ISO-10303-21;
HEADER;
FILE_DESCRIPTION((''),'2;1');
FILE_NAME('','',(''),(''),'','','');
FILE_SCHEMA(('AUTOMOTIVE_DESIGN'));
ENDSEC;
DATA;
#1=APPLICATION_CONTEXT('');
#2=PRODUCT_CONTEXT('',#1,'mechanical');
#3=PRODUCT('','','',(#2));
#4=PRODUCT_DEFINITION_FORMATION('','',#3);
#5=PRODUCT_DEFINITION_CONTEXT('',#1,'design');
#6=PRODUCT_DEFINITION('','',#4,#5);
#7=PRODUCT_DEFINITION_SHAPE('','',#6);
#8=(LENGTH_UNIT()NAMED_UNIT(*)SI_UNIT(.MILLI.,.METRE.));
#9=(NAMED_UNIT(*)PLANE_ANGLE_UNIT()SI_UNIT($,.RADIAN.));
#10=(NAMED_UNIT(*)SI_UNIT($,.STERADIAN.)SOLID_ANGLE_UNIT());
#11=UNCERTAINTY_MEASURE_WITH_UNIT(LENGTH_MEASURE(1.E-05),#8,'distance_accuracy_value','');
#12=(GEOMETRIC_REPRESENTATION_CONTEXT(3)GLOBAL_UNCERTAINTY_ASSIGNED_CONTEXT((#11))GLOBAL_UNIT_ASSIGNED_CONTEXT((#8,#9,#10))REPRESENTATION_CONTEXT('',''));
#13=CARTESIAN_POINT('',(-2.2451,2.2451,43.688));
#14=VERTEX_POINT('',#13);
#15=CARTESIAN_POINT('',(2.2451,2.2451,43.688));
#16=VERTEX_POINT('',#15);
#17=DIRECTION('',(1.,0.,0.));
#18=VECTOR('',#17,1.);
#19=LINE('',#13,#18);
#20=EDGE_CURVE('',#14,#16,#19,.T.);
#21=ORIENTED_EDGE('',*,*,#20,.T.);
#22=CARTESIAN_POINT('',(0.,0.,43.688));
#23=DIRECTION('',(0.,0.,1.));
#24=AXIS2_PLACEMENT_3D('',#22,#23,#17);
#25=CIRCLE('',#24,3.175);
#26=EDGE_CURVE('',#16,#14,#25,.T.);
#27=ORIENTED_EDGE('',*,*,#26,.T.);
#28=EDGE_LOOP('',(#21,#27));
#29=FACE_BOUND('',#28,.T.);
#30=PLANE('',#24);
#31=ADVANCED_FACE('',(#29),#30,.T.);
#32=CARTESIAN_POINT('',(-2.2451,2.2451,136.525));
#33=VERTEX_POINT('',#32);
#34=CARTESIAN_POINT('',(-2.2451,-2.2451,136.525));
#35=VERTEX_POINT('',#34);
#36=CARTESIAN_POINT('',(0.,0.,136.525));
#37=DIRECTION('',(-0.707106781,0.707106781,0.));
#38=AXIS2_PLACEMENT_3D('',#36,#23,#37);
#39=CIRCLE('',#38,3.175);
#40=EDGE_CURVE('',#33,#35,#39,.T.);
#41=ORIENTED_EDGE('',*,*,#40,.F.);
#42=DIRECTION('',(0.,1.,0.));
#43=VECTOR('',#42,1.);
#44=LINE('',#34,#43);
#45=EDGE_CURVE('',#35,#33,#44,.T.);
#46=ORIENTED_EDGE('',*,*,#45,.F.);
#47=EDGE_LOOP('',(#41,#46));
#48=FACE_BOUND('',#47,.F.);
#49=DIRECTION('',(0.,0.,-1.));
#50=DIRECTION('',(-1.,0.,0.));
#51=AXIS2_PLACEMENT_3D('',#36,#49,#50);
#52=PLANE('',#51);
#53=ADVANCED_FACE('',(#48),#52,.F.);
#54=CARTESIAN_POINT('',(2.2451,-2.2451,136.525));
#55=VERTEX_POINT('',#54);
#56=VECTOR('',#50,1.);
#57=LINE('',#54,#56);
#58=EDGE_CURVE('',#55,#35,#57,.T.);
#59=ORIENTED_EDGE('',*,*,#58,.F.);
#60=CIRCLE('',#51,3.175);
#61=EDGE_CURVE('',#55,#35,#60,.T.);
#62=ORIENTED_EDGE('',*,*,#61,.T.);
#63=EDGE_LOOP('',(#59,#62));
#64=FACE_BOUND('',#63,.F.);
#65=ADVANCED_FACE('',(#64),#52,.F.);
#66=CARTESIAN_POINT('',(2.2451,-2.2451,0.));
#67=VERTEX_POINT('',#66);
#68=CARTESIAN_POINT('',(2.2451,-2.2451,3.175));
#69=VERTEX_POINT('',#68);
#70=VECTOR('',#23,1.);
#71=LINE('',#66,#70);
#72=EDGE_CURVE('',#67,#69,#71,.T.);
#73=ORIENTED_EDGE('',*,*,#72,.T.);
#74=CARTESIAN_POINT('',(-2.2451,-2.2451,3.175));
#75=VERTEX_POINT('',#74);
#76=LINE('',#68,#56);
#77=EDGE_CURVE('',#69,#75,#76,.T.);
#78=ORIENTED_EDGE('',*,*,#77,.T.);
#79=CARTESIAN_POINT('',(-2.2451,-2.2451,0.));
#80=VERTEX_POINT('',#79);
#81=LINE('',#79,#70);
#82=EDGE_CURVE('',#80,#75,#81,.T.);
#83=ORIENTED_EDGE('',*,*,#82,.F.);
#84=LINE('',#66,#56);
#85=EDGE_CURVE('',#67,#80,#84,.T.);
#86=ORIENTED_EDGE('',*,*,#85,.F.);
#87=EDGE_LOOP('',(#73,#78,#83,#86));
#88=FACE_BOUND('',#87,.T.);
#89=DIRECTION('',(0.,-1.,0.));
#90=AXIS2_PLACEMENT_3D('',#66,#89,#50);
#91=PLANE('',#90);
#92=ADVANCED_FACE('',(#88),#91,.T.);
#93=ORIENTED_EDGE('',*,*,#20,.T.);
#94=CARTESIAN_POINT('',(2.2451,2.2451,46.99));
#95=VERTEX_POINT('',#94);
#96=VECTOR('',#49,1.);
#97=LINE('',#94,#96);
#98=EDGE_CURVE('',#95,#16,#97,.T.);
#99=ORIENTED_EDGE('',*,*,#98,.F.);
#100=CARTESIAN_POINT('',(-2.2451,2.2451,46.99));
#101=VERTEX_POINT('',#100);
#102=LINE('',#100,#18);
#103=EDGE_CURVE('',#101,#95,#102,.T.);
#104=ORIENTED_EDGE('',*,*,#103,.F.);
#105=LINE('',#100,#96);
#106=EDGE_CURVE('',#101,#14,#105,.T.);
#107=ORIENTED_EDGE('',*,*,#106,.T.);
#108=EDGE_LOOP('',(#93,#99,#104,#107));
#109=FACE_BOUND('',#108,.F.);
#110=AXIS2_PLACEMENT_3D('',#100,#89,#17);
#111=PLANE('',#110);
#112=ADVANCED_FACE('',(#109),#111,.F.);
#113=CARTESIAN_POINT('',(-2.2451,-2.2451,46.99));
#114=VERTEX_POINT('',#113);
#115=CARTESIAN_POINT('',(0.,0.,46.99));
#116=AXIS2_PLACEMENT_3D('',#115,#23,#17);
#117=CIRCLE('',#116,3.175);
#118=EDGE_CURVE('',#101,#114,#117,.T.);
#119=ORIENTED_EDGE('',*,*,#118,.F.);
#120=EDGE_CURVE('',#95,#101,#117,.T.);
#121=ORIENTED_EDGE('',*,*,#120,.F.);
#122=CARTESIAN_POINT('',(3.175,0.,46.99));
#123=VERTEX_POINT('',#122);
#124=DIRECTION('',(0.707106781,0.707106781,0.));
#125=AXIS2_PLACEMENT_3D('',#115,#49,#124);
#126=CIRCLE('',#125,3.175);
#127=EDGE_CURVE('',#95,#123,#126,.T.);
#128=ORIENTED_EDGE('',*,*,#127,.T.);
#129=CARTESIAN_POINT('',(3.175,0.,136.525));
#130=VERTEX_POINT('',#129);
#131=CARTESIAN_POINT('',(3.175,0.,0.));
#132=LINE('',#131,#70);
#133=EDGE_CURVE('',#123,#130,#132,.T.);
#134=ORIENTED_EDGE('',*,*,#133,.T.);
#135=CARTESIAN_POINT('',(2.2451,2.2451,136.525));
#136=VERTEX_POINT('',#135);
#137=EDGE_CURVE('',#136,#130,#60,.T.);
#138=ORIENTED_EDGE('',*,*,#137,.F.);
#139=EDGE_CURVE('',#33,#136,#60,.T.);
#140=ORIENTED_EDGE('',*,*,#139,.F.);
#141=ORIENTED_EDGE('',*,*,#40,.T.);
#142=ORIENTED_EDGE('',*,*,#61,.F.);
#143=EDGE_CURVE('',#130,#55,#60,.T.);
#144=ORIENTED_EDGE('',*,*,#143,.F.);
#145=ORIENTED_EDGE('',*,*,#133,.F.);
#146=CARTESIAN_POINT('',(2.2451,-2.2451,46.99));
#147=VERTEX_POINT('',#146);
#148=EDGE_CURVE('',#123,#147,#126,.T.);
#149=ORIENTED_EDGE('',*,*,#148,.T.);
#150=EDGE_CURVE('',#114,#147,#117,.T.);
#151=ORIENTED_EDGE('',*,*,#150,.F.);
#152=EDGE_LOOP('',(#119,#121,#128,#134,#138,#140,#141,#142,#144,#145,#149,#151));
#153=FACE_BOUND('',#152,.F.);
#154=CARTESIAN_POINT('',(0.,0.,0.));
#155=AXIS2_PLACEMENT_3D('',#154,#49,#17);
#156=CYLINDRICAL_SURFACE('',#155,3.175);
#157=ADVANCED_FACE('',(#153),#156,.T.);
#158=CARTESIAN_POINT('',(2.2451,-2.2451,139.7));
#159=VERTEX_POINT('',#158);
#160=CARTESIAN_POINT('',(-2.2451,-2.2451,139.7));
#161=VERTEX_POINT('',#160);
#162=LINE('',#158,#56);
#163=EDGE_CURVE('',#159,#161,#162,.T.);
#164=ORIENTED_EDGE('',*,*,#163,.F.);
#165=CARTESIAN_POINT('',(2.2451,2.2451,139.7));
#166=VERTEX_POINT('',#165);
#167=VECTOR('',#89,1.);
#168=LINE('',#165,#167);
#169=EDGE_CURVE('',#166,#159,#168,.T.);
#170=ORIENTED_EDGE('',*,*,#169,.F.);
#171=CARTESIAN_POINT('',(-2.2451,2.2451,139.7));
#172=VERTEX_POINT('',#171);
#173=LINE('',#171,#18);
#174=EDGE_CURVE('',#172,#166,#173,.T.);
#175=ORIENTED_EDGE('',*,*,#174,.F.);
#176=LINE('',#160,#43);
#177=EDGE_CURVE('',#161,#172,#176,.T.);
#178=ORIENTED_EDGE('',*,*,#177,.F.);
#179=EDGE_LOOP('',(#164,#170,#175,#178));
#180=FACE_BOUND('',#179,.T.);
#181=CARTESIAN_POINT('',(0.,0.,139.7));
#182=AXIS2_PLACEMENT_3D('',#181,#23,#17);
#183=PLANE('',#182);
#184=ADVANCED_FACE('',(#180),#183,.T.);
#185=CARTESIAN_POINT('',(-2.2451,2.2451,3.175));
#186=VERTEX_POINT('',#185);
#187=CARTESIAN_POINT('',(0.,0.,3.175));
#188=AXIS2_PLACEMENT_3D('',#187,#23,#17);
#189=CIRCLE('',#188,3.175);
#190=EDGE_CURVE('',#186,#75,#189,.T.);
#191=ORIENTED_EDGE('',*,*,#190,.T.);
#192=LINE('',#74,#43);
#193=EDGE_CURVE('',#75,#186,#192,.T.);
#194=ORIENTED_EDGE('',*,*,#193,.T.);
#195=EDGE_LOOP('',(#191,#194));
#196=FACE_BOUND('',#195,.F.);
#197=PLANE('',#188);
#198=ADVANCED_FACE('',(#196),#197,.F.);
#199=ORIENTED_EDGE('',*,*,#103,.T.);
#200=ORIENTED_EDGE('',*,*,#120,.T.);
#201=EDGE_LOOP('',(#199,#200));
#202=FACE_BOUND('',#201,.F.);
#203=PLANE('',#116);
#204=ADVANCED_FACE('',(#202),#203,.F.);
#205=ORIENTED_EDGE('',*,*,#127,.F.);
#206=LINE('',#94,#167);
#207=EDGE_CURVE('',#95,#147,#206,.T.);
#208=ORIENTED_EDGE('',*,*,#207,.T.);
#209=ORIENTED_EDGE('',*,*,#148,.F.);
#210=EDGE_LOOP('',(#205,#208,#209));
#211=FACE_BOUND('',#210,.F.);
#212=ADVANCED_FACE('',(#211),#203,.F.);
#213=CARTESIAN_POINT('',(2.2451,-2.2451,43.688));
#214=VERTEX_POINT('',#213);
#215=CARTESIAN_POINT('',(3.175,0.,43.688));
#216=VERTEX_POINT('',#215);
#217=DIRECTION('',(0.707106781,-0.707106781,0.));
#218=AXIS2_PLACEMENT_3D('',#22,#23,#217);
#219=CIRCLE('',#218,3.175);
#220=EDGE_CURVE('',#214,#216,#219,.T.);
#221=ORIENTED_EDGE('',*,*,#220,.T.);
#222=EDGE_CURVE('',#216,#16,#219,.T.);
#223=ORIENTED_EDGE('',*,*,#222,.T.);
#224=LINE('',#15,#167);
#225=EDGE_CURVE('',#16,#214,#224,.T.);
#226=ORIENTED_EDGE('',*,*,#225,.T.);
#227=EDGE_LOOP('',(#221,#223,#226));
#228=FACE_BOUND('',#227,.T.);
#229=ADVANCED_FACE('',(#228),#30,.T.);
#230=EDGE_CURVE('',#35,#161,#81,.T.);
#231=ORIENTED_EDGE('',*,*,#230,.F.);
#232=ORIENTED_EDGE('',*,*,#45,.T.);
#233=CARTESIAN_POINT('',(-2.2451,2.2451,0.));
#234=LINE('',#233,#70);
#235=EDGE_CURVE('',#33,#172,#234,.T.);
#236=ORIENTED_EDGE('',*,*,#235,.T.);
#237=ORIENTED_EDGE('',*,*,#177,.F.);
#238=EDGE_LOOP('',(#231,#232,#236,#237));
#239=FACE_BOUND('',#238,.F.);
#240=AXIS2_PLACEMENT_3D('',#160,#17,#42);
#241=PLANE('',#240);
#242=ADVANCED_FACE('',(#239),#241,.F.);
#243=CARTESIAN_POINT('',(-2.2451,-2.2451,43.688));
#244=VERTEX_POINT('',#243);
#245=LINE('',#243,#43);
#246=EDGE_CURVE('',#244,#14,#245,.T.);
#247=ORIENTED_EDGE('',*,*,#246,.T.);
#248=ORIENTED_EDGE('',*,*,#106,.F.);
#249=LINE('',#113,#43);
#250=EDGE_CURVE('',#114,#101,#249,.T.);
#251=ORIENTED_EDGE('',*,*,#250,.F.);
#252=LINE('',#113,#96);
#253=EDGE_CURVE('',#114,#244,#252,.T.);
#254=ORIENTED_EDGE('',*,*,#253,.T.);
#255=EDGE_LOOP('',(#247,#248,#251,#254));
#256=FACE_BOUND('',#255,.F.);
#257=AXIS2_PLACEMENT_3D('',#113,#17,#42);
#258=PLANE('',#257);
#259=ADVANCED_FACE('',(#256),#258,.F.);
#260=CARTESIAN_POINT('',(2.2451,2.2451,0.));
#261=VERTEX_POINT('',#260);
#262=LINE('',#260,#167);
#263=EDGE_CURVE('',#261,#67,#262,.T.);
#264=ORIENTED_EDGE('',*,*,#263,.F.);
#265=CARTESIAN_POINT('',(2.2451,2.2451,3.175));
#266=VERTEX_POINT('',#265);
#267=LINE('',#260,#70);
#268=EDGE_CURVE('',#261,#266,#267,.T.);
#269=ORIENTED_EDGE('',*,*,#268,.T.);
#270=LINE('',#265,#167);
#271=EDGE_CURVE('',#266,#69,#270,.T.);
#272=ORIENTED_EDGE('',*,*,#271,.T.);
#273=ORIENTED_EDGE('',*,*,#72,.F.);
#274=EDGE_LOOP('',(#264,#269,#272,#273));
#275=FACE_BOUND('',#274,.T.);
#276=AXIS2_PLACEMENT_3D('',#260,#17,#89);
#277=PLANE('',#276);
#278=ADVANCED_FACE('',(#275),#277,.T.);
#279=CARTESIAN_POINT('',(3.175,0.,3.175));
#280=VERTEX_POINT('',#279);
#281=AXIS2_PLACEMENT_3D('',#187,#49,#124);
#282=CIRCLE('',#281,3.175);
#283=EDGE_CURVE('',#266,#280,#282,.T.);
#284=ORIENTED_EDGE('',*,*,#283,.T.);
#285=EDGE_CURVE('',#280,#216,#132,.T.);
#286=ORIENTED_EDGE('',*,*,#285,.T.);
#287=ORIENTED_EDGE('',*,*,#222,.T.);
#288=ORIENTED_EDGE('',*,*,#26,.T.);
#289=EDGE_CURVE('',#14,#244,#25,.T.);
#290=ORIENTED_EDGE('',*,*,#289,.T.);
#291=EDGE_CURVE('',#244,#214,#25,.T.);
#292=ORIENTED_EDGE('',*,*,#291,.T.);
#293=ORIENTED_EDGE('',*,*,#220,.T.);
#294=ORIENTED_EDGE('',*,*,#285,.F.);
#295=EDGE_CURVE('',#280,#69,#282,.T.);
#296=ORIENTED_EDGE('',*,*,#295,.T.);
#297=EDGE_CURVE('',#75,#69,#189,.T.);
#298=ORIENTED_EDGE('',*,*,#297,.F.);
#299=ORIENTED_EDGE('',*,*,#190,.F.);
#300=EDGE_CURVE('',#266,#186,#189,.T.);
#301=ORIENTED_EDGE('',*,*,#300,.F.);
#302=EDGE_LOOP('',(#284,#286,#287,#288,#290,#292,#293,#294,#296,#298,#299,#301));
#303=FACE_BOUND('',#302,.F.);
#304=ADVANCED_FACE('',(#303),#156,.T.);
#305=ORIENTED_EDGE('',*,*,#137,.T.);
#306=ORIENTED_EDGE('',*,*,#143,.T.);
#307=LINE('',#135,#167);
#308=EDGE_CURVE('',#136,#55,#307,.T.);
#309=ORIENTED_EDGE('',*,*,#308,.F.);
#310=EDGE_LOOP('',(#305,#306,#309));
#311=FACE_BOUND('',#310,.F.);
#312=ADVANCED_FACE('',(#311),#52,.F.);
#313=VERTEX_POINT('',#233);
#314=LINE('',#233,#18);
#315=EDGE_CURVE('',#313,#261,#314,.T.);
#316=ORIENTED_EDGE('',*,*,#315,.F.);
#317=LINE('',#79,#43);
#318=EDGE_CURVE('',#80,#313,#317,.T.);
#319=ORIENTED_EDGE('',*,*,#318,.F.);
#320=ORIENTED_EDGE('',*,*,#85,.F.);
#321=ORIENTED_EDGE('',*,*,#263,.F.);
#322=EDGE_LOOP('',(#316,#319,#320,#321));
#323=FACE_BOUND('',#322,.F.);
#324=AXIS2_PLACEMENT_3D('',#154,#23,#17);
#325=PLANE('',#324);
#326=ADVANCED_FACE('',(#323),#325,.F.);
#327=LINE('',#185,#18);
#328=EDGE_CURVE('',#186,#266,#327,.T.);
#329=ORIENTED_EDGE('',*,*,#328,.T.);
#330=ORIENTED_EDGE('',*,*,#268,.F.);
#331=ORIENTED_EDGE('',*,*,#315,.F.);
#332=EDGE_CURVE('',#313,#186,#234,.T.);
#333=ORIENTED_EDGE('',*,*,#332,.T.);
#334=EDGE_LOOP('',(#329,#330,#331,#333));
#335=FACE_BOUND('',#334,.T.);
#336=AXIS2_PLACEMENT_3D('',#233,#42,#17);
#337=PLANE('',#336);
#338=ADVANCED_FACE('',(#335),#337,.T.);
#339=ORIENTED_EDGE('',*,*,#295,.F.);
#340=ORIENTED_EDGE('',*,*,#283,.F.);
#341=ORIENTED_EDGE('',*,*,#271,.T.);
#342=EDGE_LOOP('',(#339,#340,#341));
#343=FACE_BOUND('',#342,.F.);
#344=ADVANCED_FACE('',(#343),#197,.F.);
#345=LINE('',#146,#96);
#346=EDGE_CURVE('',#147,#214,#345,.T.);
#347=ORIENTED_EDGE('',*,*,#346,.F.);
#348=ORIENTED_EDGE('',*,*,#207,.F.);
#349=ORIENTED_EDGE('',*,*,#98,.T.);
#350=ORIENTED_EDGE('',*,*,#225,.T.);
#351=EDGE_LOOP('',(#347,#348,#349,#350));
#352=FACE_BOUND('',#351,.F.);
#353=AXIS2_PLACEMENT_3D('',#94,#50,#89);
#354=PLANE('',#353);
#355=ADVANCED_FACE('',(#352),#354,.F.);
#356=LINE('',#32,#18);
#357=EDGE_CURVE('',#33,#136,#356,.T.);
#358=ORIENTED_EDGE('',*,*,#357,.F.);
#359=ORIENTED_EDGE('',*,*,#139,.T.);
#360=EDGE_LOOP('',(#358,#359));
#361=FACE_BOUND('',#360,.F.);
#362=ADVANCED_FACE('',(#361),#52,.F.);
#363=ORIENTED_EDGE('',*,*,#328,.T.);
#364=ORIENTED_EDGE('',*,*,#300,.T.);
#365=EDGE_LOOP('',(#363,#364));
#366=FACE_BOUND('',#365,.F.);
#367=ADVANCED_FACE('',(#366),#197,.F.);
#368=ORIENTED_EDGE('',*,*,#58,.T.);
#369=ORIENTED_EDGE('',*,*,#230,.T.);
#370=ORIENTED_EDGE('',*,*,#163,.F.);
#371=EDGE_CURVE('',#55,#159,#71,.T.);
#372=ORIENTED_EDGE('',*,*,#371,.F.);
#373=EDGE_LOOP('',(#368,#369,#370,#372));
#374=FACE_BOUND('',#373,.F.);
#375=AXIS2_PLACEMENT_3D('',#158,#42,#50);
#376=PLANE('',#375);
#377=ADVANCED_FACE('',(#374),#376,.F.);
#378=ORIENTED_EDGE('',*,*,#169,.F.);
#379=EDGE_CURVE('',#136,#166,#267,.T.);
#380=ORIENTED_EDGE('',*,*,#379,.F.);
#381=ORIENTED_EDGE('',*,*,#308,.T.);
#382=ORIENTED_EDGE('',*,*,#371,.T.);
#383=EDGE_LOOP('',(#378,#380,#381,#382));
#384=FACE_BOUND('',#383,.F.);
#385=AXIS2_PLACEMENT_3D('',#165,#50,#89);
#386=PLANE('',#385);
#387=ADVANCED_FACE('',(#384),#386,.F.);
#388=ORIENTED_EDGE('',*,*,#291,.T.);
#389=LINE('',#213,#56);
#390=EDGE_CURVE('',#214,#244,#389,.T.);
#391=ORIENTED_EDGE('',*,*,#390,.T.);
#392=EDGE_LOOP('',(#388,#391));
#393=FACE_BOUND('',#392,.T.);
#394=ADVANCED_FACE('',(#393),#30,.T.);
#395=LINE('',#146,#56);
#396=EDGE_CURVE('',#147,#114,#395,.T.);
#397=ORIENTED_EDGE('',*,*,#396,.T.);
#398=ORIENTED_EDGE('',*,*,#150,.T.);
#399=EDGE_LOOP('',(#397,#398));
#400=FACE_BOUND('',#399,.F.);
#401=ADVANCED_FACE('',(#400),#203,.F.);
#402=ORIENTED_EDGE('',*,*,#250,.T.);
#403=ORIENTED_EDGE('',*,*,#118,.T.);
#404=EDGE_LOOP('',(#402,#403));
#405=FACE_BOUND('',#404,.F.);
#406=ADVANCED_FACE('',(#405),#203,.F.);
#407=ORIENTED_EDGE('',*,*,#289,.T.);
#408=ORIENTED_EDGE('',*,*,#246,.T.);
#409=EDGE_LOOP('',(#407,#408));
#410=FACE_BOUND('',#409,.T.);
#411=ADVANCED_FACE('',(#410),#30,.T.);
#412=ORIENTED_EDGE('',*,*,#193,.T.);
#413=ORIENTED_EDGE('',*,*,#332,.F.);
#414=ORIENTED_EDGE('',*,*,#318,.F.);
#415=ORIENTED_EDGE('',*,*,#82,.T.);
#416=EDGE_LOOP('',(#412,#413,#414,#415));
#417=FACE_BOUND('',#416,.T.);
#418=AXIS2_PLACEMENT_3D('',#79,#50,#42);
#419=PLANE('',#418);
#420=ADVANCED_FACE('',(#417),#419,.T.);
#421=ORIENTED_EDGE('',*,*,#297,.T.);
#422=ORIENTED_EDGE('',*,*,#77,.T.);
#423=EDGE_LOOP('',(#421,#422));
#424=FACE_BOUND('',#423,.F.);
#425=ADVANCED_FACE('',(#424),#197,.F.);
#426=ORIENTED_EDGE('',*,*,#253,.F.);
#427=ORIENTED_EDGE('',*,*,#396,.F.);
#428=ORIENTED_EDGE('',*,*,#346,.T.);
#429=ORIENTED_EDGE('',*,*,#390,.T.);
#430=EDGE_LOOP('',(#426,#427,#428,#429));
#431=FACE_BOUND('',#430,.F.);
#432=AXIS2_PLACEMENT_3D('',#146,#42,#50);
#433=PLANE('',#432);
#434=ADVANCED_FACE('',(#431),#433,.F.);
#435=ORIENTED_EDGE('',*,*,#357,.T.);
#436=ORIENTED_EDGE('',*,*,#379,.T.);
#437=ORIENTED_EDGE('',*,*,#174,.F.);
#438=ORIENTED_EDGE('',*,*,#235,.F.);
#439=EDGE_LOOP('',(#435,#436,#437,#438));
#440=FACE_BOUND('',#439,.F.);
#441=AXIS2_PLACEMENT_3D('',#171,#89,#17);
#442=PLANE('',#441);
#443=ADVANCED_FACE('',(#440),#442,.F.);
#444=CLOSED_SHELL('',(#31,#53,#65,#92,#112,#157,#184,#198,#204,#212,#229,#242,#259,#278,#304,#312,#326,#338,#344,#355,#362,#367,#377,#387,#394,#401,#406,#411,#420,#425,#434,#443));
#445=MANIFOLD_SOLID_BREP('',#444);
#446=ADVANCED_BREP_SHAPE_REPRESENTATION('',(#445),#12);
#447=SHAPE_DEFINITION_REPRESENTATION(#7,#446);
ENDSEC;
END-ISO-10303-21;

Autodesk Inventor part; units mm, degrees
ref_plane "YZ Plane" through (0, 0, 0) normal (1, 0, 0) x (0, 1, 0)
ref_plane "XZ Plane" through (0, 0, 0) normal (0, 1, 0) x (-1, 0, 0)
ref_plane "XY Plane" through (0, 0, 0) normal (0, 0, 1) x (1, 0, 0)
sketch "Sketch1" plane through (0, 0, 0) normal (0, 0, 1) x (1, 0, 0)
  circle A0 centre (0, 0) radius 3.175
  line L0 (-2.2451, 2.2451) -> (2.2451, 2.2451)
  line L1 (2.2451, 2.2451) -> (2.2451, -2.2451)
  line L2 (2.2451, -2.2451) -> (-2.2451, -2.2451)
  line L3 (-2.2451, -2.2451) -> (-2.2451, 2.2451)
  line L4 (-2.2451, 2.2451) -> (2.2451, -2.2451) construction
  line L5 (2.2451, 2.2451) -> (-2.2451, -2.2451) construction
  dimension "d0" = 6.35
  dimension "d6" = 4.4901
  dimension "d7" = 4.4901
extrude "Extrusion1" add sketch "Sketch1" along normal blind 139.7
extrude "Extrusion2" cut sketch "Sketch1" along normal blind 3.175 contours A0 L1 | L0 A0 | A0 L2 | L3 A0
ref_plane "Work Plane1" through (0, 0, 139.7) normal (0, 0, -1) x (-1, 0, 0)
sketch "Sketch2" plane through (0, 0, 139.7) normal (0, 0, -1) x (-1, 0, 0)
  line L0 (-2.2451, 2.2451) -> (-2.2451, -2.2451) projected
  line L1 (2.2451, 2.2451) -> (-2.2451, 2.2451)
  line L2 (-2.2451, 2.2451) -> (-2.2451, -2.2451)
  line L3 (-2.2451, -2.2451) -> (2.2451, -2.2451)
  line L4 (2.2451, -2.2451) -> (2.2451, 2.2451)
  line L5 (2.2451, 2.2451) -> (-2.2451, -2.2451) construction
  line L6 (-2.2451, 2.2451) -> (2.2451, -2.2451) construction
  circle A0 centre (0, 0) radius 3.175
  dimension "d11" = 4.4901
  dimension "d12" = 4.4901
  dimension "d13" = 6.35
extrude "Extrusion3" cut sketch "Sketch2" along normal blind 3.175 contours A0 L1 | L0 A0 | L3 A0 | A0 L4
ref_plane "Work Plane2" through (0, 0, 46.99) normal (0, 0, 1) x (1, 0, 0)
sketch "Sketch3" plane through (0, 0, 46.99) normal (0, 0, 1) x (1, 0, 0)
  circle A0 centre (0, 0) radius 3.175
  line L0 (-2.2451, 2.2451) -> (2.2451, 2.2451)
  line L1 (2.2451, 2.2451) -> (2.2451, -2.2451)
  line L2 (2.2451, -2.2451) -> (-2.2451, -2.2451)
  line L3 (-2.2451, -2.2451) -> (-2.2451, 2.2451)
  line L4 (-2.2451, 2.2451) -> (2.2451, -2.2451) construction
  line L5 (2.2451, 2.2451) -> (-2.2451, -2.2451) construction
  dimension "d17" = 4.4901
  dimension "d18" = 4.4901
extrude "Extrusion4" cut sketch "Sketch3" against normal blind 3.302 contours A0 L1 | L0 A0 | A0 L2 | L3 A0
properties part number "rod"
